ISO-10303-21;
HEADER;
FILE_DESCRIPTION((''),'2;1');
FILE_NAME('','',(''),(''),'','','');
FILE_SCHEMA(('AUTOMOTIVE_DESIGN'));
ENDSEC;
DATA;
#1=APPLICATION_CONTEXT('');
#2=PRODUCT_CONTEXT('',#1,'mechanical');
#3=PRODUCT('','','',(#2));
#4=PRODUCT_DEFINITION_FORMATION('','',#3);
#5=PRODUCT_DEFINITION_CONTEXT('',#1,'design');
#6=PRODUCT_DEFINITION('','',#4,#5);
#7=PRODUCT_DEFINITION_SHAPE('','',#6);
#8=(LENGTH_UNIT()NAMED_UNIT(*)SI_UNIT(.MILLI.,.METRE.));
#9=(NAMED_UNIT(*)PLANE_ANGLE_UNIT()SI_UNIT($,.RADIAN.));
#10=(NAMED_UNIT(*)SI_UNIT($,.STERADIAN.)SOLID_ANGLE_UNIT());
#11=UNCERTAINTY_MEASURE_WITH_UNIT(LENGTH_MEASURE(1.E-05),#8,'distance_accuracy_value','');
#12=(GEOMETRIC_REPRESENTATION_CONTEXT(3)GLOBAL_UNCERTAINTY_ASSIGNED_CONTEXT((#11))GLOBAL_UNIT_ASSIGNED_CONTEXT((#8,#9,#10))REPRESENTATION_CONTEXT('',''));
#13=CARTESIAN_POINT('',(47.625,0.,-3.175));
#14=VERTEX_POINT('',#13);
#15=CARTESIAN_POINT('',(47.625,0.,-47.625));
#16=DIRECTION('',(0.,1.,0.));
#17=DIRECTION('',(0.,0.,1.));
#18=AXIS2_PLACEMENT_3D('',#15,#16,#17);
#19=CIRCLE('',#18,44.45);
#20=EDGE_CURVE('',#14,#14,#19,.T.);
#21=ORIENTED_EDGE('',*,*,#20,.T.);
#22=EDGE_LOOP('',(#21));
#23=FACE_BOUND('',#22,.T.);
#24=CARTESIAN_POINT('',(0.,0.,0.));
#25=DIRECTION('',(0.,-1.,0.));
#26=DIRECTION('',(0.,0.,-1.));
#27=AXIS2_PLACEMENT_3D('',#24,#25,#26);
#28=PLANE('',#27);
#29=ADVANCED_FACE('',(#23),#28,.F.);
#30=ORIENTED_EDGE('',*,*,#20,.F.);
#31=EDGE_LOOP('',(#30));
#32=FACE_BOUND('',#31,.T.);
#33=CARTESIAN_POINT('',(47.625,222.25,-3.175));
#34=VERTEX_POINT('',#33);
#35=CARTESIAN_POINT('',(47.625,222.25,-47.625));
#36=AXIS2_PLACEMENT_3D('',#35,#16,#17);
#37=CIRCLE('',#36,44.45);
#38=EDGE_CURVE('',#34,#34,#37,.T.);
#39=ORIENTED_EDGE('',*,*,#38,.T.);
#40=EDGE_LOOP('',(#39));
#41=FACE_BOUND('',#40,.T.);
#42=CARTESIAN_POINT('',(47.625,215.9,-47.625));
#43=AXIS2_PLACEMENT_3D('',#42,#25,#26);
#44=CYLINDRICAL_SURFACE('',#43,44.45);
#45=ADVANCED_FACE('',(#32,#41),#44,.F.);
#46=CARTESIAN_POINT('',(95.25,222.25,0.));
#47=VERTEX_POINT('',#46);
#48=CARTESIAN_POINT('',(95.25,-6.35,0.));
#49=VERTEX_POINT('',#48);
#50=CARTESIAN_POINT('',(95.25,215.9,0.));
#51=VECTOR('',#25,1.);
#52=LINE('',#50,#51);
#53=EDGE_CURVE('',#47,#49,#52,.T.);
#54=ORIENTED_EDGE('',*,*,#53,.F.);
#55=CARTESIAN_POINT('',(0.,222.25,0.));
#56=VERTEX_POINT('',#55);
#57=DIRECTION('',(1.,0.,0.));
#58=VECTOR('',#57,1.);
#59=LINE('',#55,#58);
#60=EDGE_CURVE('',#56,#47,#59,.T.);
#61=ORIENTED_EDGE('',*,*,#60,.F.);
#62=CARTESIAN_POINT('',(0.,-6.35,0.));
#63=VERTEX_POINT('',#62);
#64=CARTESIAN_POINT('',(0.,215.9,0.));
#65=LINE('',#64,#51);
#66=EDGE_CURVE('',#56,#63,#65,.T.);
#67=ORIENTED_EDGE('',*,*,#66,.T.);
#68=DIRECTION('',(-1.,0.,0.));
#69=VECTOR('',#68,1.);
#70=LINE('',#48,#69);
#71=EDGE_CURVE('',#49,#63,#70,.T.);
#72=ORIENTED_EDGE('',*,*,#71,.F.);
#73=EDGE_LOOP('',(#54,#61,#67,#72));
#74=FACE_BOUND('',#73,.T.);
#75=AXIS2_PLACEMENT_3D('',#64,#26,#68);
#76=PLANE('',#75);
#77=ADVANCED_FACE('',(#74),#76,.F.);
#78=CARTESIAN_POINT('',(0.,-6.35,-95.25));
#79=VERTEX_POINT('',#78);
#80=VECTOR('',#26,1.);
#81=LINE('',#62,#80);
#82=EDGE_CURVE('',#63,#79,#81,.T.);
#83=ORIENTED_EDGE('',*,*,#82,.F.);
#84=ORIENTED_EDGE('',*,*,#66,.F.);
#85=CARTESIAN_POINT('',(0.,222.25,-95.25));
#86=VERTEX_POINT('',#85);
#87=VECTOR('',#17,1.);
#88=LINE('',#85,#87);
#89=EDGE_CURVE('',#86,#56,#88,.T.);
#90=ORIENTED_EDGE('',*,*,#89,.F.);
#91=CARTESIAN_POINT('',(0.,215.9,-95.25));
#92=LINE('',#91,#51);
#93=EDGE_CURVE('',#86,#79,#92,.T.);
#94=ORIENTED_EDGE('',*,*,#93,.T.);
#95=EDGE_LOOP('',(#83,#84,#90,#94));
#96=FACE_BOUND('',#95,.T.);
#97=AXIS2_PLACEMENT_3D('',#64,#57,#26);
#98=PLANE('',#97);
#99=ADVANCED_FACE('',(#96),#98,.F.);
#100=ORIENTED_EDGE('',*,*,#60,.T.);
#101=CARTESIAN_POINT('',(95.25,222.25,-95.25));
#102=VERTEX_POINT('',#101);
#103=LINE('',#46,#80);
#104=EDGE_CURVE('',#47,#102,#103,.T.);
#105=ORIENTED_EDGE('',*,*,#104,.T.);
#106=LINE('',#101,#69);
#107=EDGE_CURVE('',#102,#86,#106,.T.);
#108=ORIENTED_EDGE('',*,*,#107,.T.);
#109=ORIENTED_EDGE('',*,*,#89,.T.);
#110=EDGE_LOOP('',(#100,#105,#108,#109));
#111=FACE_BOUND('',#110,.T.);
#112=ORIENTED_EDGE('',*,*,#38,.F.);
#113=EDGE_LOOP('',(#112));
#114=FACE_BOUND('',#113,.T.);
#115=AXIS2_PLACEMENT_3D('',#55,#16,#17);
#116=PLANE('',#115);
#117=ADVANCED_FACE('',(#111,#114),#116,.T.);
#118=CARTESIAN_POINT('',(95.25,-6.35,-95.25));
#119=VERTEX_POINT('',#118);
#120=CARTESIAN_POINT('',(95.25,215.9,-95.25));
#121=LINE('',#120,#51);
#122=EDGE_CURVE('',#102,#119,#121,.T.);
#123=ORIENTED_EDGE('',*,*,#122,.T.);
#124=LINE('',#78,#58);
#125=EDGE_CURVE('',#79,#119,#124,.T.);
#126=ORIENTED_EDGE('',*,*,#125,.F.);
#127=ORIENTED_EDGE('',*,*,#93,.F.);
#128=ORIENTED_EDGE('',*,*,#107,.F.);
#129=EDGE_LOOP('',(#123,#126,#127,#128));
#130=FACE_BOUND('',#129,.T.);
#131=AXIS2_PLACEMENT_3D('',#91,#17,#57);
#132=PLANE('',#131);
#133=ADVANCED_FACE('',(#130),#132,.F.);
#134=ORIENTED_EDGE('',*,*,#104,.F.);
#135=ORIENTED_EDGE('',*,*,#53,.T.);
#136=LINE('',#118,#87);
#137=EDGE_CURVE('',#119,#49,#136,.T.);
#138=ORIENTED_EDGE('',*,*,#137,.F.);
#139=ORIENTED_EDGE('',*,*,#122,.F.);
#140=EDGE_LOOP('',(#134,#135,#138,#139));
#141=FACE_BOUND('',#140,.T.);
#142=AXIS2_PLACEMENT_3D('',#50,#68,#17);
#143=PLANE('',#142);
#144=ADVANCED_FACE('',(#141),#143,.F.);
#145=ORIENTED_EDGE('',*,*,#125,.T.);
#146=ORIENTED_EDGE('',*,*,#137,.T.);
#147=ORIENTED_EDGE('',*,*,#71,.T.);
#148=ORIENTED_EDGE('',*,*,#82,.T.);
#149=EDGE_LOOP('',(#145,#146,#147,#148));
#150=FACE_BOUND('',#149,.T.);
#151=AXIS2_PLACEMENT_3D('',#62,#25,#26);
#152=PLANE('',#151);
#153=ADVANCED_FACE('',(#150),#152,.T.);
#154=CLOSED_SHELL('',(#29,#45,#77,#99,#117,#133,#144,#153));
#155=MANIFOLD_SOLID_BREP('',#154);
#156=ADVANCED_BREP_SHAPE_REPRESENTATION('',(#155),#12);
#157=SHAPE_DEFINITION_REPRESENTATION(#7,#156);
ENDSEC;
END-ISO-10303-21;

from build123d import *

# Parameters (mm, degrees)
SKETCH1_W           = 95.25
SKETCH1_H           = 95.25
SKETCH1_R           = 44.45
BOSS_EXTRUDE1_DEPTH = 215.9
SKETCH2_W           = 95.25
SKETCH2_H           = 95.25
BOSS_EXTRUDE2_DEPTH = 6.35
SKETCH4_W           = 95.25
SKETCH4_H           = 95.25
SKETCH4_R           = 44.45
BOSS_EXTRUDE4_DEPTH = 6.35


with BuildPart() as part:
    # Sketch1 → Boss-Extrude1 (new body)
    with BuildSketch(Plane(origin=(0, 0, 0), x_dir=(1, 0, 0), z_dir=(0, 1, 0))):
        with Locations((47.625, 47.625)):
            Rectangle(SKETCH1_W, SKETCH1_H)
        with Locations(Location((47.625, 47.625, 0), (0, 0, 270))):
            Circle(SKETCH1_R, mode=Mode.SUBTRACT)
    extrude(amount=BOSS_EXTRUDE1_DEPTH)

    # Sketch2 → Boss-Extrude2 (add)
    with BuildSketch(Plane.XZ):
        with Locations((47.625, -47.625)):
            Rectangle(SKETCH2_W, SKETCH2_H)
    extrude(amount=BOSS_EXTRUDE2_DEPTH)

    # Sketch4 → Boss-Extrude4 (add)
    with BuildSketch(Plane(origin=(0, 215.9, 0), x_dir=(1, 0, 0), z_dir=(0, 1, 0))):
        with Locations((47.625, 47.625)):
            Rectangle(SKETCH4_W, SKETCH4_H)
        with Locations(Location((47.625, 47.625, 0), (0, 0, 270))):
            Circle(SKETCH4_R, mode=Mode.SUBTRACT)
    extrude(amount=BOSS_EXTRUDE4_DEPTH)


solid = part.part
